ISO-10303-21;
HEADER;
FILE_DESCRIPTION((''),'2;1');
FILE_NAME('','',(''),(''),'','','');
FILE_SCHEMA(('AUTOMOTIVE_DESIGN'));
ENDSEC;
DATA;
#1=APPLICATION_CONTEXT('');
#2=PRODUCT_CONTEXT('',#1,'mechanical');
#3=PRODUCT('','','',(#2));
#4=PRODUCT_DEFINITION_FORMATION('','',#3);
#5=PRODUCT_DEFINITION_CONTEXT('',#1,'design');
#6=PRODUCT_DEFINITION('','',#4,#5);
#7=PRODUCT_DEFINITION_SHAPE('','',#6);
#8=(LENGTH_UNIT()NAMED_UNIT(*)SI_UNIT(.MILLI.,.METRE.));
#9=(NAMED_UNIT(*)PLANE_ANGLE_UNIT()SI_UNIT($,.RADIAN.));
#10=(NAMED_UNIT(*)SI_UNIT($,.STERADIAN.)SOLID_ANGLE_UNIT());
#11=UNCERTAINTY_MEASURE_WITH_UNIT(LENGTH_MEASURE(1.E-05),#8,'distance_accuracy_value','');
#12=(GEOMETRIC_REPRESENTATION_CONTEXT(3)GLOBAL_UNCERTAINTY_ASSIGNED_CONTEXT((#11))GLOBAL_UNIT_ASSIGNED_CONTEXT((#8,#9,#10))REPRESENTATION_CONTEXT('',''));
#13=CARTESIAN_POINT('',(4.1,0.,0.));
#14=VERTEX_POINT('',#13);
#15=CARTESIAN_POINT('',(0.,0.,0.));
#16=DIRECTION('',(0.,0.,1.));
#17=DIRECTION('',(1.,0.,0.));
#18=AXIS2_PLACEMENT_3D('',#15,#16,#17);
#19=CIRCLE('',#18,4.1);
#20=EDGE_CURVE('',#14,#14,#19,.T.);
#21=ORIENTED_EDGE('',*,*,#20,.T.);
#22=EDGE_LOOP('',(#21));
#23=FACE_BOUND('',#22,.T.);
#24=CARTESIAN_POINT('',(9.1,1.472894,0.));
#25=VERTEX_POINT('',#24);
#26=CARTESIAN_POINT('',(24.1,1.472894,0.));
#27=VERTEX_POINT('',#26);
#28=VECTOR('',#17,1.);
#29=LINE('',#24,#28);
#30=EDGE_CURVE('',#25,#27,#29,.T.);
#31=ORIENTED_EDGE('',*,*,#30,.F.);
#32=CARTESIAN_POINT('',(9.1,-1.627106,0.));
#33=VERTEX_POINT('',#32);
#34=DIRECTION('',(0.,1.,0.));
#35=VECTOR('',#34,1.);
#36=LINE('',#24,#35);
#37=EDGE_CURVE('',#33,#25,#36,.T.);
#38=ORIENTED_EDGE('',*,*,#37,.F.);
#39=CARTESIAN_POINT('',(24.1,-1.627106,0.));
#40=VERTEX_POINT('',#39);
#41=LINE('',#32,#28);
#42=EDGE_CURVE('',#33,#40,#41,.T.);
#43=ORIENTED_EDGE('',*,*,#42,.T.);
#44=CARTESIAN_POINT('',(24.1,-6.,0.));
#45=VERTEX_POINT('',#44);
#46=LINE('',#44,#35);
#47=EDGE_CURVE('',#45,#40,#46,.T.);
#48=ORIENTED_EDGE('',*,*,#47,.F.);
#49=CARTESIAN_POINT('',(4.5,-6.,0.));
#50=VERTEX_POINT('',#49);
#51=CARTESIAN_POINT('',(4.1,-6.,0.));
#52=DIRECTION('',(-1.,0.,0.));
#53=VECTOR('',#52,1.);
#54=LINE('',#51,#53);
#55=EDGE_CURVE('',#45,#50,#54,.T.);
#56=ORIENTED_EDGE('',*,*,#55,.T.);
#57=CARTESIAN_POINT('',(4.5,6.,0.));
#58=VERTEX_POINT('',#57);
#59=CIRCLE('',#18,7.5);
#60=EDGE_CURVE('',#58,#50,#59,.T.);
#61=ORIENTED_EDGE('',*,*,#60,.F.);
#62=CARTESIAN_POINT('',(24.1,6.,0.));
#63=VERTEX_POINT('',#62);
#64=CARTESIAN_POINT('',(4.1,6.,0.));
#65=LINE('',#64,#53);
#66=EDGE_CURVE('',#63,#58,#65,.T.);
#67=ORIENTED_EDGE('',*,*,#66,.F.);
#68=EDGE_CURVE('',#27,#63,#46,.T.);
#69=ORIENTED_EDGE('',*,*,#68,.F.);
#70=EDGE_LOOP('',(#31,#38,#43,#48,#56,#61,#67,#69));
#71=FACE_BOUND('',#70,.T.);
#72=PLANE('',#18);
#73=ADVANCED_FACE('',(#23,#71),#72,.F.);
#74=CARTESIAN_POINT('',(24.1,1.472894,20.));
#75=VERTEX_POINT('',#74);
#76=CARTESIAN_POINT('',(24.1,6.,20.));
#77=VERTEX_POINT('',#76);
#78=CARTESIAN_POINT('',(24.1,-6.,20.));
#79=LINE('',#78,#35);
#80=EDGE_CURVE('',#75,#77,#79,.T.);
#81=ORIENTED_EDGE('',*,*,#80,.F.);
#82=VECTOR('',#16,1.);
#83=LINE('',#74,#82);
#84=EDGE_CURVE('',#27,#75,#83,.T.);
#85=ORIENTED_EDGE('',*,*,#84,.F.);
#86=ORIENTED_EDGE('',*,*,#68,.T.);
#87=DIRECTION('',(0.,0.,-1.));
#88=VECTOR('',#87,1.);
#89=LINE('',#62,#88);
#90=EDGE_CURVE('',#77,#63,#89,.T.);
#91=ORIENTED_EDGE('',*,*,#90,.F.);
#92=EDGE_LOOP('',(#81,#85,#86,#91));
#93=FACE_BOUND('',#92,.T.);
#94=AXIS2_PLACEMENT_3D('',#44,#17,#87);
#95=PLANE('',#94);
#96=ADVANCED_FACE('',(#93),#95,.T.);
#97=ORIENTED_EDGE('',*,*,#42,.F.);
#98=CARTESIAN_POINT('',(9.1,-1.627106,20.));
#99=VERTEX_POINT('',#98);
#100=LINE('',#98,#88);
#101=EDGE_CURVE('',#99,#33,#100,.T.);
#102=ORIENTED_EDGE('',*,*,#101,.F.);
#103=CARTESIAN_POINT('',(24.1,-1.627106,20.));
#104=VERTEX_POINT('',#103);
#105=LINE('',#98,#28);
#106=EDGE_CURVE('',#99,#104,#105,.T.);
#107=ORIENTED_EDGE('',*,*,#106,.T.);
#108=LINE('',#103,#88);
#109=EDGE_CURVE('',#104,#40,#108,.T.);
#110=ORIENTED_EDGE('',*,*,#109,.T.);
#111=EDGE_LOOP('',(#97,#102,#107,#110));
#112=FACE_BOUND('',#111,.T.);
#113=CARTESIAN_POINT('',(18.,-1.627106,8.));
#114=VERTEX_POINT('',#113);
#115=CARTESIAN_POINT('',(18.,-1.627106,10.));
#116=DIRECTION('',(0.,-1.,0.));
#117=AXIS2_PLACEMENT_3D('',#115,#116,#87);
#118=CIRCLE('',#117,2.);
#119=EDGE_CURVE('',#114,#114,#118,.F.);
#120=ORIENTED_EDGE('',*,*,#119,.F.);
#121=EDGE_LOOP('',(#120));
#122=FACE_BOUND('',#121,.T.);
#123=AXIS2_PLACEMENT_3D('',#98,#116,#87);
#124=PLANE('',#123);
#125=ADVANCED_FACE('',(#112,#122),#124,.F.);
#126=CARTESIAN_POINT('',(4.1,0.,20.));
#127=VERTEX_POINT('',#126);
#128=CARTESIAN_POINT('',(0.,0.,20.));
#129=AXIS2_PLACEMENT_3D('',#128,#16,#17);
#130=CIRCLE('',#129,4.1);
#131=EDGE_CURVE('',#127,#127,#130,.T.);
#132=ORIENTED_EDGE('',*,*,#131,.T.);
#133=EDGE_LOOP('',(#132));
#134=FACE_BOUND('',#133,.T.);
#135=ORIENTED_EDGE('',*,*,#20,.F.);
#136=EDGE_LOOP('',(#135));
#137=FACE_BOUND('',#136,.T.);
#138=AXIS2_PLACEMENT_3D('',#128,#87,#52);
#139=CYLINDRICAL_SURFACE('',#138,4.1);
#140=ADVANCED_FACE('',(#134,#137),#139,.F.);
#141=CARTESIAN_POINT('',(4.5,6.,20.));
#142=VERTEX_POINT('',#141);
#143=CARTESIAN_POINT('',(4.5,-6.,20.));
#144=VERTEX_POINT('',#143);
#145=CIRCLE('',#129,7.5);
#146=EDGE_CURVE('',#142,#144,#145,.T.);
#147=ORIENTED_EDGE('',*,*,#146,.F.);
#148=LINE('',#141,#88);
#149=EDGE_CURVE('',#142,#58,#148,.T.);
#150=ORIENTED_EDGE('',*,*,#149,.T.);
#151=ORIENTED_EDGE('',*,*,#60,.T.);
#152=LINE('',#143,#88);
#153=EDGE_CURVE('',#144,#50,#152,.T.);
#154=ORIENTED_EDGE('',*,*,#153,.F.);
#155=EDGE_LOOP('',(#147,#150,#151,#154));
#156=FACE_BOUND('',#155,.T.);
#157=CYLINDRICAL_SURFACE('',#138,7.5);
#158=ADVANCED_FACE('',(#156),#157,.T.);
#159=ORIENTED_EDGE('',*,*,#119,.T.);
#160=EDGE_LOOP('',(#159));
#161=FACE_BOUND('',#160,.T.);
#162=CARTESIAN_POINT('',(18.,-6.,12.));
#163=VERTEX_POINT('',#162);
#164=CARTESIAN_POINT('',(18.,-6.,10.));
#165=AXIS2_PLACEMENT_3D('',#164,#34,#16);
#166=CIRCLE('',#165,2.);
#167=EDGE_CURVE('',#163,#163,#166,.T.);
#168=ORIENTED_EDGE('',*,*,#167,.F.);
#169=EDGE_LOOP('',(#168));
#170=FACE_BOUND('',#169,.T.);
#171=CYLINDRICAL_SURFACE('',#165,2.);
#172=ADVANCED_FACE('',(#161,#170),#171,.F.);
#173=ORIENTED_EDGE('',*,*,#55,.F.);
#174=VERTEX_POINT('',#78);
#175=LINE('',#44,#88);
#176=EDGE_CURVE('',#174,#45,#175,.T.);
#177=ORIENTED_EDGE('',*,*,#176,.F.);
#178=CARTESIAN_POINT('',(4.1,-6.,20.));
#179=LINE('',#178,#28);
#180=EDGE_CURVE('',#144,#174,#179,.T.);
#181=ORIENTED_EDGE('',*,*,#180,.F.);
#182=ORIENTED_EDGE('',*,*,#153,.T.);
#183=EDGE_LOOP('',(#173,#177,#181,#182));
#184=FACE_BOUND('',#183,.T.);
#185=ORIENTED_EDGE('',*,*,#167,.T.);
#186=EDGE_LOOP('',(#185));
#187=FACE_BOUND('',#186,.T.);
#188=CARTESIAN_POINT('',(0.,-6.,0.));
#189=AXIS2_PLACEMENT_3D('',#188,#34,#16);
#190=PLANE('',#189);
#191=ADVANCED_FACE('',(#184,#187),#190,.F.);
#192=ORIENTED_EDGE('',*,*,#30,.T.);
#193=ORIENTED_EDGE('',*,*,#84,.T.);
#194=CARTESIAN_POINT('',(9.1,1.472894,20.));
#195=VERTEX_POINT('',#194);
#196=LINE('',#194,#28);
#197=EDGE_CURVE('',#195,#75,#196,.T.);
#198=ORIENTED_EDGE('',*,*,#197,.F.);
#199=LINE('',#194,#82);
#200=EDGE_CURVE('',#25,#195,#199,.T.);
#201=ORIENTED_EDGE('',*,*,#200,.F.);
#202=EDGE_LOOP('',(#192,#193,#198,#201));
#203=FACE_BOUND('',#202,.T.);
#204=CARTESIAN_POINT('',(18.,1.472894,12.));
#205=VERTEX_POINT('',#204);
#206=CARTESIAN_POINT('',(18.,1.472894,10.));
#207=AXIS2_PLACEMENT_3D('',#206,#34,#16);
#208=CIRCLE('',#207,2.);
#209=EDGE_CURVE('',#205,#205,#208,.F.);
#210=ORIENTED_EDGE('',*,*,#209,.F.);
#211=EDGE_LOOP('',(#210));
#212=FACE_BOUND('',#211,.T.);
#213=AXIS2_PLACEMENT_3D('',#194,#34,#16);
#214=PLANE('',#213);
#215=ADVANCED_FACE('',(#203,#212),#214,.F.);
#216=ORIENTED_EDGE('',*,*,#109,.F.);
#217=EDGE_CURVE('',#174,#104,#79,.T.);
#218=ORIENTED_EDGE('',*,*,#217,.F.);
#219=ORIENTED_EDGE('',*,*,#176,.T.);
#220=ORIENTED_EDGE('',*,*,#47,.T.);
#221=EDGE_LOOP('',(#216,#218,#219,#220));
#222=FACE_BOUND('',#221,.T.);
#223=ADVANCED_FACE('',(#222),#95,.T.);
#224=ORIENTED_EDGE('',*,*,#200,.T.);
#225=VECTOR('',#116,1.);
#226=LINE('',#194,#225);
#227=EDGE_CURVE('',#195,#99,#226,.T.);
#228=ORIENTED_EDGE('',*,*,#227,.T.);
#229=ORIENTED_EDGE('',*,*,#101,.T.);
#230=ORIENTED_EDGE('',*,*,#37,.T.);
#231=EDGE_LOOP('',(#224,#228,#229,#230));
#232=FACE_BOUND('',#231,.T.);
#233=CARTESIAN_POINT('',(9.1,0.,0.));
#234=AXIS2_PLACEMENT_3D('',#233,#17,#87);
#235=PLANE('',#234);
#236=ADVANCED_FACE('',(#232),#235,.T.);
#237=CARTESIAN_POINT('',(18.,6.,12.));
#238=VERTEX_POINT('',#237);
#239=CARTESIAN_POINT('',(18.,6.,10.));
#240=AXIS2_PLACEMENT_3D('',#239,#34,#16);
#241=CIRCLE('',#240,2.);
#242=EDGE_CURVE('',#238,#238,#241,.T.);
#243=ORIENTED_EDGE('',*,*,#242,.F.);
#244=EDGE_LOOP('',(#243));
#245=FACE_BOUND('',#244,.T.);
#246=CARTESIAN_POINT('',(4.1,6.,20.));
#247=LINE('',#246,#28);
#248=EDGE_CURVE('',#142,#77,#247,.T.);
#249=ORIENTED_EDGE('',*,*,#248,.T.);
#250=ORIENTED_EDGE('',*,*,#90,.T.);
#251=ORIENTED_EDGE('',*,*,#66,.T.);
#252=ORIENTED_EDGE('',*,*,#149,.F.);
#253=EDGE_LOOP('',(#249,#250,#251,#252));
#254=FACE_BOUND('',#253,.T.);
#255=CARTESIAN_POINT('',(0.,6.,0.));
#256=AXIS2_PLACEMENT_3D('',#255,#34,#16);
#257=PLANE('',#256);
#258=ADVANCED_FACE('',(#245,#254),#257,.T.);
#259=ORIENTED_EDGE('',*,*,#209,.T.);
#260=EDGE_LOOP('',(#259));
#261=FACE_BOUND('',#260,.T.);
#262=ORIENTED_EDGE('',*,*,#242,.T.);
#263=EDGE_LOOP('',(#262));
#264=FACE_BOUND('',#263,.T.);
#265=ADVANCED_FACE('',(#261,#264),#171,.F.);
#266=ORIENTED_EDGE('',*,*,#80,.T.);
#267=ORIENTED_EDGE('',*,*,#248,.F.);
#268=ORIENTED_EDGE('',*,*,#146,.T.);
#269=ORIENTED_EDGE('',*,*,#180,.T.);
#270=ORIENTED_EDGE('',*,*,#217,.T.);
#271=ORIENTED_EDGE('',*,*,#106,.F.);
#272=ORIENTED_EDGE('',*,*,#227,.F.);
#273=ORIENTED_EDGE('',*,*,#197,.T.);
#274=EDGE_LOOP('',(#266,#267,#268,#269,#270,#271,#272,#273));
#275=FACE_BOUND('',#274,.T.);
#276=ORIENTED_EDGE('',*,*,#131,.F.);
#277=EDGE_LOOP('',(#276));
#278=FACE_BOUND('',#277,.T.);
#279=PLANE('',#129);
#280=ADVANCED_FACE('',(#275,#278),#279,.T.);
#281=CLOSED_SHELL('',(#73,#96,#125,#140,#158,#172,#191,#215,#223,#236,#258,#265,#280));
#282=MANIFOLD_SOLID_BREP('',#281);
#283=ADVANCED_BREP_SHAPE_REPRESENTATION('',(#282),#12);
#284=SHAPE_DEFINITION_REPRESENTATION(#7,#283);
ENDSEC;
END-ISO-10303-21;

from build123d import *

# Parameters (mm, degrees)
SKETCH_1_R           = 7.5
SKETCH_1_R_2         = 4.1
EXTRUDE_1_DEPTH      = 20
EXTRUDE_2_DEPTH      = 6
EXTRUDE_2_DEPTH_BACK = 6
SKETCH_2_W           = 20
SKETCH_2_H           = 20
SKETCH_2_R           = 2
SKETCH_3_W           = 20
SKETCH_3_H           = 3.1
CUT_EXTRUDE_1_DEPTH  = 15


with BuildPart() as part:
    # 草图1 → 凸台-拉伸1 (new body)
    with BuildSketch(Plane.XY):
        Circle(SKETCH_1_R)
        Circle(SKETCH_1_R_2, mode=Mode.SUBTRACT)
    extrude(amount=EXTRUDE_1_DEPTH)

    # 草图2 → 凸台-拉伸2 (add, two sides: drawn at the far end of the back side and taken through both)
    with BuildSketch(Plane(origin=(0, 0, 0), x_dir=(1, 0, 0), z_dir=(0, 1, 0)).offset(-EXTRUDE_2_DEPTH_BACK)):
        with Locations((14.1, -10)):
            Rectangle(SKETCH_2_W, SKETCH_2_H)
        with Locations((18, -10)):
            Circle(SKETCH_2_R, mode=Mode.SUBTRACT)
    extrude(amount=EXTRUDE_2_DEPTH + EXTRUDE_2_DEPTH_BACK)

    # 草图3 → 切除-拉伸1 (cut)
    with BuildSketch(Plane(origin=(24.1, 0, 0), x_dir=(0, 0, -1), z_dir=(1, 0, 0))):
        with Locations((-10, -0.077105761)):
            Rectangle(SKETCH_3_W, SKETCH_3_H)
    extrude(amount=-CUT_EXTRUDE_1_DEPTH, mode=Mode.SUBTRACT)


solid = part.part
